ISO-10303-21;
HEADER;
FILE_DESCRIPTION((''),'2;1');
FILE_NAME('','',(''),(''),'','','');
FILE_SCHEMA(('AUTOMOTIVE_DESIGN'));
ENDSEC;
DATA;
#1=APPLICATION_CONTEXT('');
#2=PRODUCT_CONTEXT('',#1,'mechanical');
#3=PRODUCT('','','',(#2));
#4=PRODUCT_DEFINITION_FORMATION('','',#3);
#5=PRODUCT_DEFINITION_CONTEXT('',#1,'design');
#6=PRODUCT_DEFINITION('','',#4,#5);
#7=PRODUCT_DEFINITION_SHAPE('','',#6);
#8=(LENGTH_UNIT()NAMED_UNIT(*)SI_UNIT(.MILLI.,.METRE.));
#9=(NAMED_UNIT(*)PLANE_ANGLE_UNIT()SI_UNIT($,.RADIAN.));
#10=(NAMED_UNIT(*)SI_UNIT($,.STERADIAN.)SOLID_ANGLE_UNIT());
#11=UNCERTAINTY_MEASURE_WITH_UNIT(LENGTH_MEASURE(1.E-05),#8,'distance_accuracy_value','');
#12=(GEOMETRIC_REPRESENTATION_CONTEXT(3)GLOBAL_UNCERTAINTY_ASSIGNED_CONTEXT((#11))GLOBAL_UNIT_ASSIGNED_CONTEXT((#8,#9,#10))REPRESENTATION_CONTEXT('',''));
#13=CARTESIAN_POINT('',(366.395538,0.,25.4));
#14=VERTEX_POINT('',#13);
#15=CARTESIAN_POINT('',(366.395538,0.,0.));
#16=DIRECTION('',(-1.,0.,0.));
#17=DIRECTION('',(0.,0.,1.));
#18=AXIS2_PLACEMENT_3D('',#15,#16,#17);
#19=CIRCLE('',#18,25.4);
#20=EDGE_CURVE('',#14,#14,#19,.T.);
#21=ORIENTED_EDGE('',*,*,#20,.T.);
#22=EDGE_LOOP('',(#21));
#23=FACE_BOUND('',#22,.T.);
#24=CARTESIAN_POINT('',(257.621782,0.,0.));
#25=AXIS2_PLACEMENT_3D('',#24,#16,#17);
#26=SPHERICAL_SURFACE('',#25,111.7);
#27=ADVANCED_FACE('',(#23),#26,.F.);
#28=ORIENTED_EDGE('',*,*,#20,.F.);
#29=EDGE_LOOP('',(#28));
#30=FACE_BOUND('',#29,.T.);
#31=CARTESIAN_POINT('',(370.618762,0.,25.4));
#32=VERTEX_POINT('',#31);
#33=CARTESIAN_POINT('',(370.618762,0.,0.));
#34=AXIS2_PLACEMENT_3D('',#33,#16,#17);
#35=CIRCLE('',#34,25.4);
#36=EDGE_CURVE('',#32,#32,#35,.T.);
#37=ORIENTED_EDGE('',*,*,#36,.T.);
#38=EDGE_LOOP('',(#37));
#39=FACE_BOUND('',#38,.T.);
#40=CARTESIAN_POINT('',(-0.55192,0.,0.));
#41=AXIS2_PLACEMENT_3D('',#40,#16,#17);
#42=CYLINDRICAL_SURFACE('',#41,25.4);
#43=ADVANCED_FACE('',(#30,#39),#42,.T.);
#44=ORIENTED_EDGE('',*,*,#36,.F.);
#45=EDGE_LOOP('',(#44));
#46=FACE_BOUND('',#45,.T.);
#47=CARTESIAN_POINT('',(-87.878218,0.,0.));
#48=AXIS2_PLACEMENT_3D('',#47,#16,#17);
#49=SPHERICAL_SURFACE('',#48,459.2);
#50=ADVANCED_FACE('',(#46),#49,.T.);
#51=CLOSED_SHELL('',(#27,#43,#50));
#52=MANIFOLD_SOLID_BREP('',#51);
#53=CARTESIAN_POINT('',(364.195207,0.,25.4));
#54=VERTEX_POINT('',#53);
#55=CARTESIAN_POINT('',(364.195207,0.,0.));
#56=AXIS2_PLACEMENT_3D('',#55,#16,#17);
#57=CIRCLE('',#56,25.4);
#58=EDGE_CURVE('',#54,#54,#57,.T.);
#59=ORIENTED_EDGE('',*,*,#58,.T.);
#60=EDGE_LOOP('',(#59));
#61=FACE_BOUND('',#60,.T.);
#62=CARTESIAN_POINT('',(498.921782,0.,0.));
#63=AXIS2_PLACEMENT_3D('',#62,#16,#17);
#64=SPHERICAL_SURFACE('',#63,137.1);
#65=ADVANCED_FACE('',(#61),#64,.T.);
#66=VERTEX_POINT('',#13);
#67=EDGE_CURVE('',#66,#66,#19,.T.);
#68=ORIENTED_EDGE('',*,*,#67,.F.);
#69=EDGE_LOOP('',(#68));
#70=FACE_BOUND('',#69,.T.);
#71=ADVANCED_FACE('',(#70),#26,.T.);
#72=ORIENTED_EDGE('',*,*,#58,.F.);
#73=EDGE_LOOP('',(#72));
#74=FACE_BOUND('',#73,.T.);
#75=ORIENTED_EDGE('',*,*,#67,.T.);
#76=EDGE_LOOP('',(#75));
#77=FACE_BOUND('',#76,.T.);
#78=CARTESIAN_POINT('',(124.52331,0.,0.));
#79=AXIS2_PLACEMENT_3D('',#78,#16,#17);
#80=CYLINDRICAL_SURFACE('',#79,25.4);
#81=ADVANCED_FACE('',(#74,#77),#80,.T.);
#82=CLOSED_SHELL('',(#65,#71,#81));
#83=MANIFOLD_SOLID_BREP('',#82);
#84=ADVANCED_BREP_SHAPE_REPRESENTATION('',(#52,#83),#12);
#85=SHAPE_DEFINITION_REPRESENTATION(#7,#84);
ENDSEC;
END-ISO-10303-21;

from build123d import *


with BuildPart() as part:
    # 草图1 one side → 旋转1 (revolve)
    with BuildSketch(Plane(origin=(0, 0, 0), x_dir=(1, 0, 0), z_dir=(0, 1, 0)), mode=Mode.PRIVATE) as revolve_1_sk:
        with BuildLine():
            ThreePointArc((364.195207485, 25.4), (362.416428287, 12.755323853), (361.821782443, 0))
            Line((361.821782443, 0), (369.321782443, 0))
            ThreePointArc((369.321782443, 0), (368.58781001, 12.784002736), (366.395538469, 25.4))
            Line((366.395538469, 25.4), (364.195207485, 25.4))
        make_face()
    revolve(revolve_1_sk.sketch.rotate(Axis((124.523309526, 0, 0), (1, 0, 0)), 180), axis=Axis((124.523309526, 0, 0), (1, 0, 0)))  # turned: the seam where the file's is


with BuildPart() as body_2:
    # 草图2 one side → 旋转3 (revolve)
    with BuildSketch(Plane(origin=(0, 0, 0), x_dir=(1, 0, 0), z_dir=(0, 1, 0)), mode=Mode.PRIVATE) as revolve_3_sk:
        with BuildLine():
            Line((370.618761713, 25.4), (366.395538469, 25.4))
            ThreePointArc((366.395538469, 25.4), (368.58781001, 12.784002736), (369.321782443, 0))
            Line((369.321782443, 0), (371.321782443, 0))
            ThreePointArc((371.321782443, 0), (371.145993613, 12.704863617), (370.618761713, 25.4))
        make_face()
    revolve(revolve_3_sk.sketch.rotate(Axis((-0.551919993, 0, 0), (1, 0, 0)), 180), axis=Axis((-0.551919993, 0, 0), (1, 0, 0)))  # turned: the seam where the file's is


solid = Compound([part.part, body_2.part])
